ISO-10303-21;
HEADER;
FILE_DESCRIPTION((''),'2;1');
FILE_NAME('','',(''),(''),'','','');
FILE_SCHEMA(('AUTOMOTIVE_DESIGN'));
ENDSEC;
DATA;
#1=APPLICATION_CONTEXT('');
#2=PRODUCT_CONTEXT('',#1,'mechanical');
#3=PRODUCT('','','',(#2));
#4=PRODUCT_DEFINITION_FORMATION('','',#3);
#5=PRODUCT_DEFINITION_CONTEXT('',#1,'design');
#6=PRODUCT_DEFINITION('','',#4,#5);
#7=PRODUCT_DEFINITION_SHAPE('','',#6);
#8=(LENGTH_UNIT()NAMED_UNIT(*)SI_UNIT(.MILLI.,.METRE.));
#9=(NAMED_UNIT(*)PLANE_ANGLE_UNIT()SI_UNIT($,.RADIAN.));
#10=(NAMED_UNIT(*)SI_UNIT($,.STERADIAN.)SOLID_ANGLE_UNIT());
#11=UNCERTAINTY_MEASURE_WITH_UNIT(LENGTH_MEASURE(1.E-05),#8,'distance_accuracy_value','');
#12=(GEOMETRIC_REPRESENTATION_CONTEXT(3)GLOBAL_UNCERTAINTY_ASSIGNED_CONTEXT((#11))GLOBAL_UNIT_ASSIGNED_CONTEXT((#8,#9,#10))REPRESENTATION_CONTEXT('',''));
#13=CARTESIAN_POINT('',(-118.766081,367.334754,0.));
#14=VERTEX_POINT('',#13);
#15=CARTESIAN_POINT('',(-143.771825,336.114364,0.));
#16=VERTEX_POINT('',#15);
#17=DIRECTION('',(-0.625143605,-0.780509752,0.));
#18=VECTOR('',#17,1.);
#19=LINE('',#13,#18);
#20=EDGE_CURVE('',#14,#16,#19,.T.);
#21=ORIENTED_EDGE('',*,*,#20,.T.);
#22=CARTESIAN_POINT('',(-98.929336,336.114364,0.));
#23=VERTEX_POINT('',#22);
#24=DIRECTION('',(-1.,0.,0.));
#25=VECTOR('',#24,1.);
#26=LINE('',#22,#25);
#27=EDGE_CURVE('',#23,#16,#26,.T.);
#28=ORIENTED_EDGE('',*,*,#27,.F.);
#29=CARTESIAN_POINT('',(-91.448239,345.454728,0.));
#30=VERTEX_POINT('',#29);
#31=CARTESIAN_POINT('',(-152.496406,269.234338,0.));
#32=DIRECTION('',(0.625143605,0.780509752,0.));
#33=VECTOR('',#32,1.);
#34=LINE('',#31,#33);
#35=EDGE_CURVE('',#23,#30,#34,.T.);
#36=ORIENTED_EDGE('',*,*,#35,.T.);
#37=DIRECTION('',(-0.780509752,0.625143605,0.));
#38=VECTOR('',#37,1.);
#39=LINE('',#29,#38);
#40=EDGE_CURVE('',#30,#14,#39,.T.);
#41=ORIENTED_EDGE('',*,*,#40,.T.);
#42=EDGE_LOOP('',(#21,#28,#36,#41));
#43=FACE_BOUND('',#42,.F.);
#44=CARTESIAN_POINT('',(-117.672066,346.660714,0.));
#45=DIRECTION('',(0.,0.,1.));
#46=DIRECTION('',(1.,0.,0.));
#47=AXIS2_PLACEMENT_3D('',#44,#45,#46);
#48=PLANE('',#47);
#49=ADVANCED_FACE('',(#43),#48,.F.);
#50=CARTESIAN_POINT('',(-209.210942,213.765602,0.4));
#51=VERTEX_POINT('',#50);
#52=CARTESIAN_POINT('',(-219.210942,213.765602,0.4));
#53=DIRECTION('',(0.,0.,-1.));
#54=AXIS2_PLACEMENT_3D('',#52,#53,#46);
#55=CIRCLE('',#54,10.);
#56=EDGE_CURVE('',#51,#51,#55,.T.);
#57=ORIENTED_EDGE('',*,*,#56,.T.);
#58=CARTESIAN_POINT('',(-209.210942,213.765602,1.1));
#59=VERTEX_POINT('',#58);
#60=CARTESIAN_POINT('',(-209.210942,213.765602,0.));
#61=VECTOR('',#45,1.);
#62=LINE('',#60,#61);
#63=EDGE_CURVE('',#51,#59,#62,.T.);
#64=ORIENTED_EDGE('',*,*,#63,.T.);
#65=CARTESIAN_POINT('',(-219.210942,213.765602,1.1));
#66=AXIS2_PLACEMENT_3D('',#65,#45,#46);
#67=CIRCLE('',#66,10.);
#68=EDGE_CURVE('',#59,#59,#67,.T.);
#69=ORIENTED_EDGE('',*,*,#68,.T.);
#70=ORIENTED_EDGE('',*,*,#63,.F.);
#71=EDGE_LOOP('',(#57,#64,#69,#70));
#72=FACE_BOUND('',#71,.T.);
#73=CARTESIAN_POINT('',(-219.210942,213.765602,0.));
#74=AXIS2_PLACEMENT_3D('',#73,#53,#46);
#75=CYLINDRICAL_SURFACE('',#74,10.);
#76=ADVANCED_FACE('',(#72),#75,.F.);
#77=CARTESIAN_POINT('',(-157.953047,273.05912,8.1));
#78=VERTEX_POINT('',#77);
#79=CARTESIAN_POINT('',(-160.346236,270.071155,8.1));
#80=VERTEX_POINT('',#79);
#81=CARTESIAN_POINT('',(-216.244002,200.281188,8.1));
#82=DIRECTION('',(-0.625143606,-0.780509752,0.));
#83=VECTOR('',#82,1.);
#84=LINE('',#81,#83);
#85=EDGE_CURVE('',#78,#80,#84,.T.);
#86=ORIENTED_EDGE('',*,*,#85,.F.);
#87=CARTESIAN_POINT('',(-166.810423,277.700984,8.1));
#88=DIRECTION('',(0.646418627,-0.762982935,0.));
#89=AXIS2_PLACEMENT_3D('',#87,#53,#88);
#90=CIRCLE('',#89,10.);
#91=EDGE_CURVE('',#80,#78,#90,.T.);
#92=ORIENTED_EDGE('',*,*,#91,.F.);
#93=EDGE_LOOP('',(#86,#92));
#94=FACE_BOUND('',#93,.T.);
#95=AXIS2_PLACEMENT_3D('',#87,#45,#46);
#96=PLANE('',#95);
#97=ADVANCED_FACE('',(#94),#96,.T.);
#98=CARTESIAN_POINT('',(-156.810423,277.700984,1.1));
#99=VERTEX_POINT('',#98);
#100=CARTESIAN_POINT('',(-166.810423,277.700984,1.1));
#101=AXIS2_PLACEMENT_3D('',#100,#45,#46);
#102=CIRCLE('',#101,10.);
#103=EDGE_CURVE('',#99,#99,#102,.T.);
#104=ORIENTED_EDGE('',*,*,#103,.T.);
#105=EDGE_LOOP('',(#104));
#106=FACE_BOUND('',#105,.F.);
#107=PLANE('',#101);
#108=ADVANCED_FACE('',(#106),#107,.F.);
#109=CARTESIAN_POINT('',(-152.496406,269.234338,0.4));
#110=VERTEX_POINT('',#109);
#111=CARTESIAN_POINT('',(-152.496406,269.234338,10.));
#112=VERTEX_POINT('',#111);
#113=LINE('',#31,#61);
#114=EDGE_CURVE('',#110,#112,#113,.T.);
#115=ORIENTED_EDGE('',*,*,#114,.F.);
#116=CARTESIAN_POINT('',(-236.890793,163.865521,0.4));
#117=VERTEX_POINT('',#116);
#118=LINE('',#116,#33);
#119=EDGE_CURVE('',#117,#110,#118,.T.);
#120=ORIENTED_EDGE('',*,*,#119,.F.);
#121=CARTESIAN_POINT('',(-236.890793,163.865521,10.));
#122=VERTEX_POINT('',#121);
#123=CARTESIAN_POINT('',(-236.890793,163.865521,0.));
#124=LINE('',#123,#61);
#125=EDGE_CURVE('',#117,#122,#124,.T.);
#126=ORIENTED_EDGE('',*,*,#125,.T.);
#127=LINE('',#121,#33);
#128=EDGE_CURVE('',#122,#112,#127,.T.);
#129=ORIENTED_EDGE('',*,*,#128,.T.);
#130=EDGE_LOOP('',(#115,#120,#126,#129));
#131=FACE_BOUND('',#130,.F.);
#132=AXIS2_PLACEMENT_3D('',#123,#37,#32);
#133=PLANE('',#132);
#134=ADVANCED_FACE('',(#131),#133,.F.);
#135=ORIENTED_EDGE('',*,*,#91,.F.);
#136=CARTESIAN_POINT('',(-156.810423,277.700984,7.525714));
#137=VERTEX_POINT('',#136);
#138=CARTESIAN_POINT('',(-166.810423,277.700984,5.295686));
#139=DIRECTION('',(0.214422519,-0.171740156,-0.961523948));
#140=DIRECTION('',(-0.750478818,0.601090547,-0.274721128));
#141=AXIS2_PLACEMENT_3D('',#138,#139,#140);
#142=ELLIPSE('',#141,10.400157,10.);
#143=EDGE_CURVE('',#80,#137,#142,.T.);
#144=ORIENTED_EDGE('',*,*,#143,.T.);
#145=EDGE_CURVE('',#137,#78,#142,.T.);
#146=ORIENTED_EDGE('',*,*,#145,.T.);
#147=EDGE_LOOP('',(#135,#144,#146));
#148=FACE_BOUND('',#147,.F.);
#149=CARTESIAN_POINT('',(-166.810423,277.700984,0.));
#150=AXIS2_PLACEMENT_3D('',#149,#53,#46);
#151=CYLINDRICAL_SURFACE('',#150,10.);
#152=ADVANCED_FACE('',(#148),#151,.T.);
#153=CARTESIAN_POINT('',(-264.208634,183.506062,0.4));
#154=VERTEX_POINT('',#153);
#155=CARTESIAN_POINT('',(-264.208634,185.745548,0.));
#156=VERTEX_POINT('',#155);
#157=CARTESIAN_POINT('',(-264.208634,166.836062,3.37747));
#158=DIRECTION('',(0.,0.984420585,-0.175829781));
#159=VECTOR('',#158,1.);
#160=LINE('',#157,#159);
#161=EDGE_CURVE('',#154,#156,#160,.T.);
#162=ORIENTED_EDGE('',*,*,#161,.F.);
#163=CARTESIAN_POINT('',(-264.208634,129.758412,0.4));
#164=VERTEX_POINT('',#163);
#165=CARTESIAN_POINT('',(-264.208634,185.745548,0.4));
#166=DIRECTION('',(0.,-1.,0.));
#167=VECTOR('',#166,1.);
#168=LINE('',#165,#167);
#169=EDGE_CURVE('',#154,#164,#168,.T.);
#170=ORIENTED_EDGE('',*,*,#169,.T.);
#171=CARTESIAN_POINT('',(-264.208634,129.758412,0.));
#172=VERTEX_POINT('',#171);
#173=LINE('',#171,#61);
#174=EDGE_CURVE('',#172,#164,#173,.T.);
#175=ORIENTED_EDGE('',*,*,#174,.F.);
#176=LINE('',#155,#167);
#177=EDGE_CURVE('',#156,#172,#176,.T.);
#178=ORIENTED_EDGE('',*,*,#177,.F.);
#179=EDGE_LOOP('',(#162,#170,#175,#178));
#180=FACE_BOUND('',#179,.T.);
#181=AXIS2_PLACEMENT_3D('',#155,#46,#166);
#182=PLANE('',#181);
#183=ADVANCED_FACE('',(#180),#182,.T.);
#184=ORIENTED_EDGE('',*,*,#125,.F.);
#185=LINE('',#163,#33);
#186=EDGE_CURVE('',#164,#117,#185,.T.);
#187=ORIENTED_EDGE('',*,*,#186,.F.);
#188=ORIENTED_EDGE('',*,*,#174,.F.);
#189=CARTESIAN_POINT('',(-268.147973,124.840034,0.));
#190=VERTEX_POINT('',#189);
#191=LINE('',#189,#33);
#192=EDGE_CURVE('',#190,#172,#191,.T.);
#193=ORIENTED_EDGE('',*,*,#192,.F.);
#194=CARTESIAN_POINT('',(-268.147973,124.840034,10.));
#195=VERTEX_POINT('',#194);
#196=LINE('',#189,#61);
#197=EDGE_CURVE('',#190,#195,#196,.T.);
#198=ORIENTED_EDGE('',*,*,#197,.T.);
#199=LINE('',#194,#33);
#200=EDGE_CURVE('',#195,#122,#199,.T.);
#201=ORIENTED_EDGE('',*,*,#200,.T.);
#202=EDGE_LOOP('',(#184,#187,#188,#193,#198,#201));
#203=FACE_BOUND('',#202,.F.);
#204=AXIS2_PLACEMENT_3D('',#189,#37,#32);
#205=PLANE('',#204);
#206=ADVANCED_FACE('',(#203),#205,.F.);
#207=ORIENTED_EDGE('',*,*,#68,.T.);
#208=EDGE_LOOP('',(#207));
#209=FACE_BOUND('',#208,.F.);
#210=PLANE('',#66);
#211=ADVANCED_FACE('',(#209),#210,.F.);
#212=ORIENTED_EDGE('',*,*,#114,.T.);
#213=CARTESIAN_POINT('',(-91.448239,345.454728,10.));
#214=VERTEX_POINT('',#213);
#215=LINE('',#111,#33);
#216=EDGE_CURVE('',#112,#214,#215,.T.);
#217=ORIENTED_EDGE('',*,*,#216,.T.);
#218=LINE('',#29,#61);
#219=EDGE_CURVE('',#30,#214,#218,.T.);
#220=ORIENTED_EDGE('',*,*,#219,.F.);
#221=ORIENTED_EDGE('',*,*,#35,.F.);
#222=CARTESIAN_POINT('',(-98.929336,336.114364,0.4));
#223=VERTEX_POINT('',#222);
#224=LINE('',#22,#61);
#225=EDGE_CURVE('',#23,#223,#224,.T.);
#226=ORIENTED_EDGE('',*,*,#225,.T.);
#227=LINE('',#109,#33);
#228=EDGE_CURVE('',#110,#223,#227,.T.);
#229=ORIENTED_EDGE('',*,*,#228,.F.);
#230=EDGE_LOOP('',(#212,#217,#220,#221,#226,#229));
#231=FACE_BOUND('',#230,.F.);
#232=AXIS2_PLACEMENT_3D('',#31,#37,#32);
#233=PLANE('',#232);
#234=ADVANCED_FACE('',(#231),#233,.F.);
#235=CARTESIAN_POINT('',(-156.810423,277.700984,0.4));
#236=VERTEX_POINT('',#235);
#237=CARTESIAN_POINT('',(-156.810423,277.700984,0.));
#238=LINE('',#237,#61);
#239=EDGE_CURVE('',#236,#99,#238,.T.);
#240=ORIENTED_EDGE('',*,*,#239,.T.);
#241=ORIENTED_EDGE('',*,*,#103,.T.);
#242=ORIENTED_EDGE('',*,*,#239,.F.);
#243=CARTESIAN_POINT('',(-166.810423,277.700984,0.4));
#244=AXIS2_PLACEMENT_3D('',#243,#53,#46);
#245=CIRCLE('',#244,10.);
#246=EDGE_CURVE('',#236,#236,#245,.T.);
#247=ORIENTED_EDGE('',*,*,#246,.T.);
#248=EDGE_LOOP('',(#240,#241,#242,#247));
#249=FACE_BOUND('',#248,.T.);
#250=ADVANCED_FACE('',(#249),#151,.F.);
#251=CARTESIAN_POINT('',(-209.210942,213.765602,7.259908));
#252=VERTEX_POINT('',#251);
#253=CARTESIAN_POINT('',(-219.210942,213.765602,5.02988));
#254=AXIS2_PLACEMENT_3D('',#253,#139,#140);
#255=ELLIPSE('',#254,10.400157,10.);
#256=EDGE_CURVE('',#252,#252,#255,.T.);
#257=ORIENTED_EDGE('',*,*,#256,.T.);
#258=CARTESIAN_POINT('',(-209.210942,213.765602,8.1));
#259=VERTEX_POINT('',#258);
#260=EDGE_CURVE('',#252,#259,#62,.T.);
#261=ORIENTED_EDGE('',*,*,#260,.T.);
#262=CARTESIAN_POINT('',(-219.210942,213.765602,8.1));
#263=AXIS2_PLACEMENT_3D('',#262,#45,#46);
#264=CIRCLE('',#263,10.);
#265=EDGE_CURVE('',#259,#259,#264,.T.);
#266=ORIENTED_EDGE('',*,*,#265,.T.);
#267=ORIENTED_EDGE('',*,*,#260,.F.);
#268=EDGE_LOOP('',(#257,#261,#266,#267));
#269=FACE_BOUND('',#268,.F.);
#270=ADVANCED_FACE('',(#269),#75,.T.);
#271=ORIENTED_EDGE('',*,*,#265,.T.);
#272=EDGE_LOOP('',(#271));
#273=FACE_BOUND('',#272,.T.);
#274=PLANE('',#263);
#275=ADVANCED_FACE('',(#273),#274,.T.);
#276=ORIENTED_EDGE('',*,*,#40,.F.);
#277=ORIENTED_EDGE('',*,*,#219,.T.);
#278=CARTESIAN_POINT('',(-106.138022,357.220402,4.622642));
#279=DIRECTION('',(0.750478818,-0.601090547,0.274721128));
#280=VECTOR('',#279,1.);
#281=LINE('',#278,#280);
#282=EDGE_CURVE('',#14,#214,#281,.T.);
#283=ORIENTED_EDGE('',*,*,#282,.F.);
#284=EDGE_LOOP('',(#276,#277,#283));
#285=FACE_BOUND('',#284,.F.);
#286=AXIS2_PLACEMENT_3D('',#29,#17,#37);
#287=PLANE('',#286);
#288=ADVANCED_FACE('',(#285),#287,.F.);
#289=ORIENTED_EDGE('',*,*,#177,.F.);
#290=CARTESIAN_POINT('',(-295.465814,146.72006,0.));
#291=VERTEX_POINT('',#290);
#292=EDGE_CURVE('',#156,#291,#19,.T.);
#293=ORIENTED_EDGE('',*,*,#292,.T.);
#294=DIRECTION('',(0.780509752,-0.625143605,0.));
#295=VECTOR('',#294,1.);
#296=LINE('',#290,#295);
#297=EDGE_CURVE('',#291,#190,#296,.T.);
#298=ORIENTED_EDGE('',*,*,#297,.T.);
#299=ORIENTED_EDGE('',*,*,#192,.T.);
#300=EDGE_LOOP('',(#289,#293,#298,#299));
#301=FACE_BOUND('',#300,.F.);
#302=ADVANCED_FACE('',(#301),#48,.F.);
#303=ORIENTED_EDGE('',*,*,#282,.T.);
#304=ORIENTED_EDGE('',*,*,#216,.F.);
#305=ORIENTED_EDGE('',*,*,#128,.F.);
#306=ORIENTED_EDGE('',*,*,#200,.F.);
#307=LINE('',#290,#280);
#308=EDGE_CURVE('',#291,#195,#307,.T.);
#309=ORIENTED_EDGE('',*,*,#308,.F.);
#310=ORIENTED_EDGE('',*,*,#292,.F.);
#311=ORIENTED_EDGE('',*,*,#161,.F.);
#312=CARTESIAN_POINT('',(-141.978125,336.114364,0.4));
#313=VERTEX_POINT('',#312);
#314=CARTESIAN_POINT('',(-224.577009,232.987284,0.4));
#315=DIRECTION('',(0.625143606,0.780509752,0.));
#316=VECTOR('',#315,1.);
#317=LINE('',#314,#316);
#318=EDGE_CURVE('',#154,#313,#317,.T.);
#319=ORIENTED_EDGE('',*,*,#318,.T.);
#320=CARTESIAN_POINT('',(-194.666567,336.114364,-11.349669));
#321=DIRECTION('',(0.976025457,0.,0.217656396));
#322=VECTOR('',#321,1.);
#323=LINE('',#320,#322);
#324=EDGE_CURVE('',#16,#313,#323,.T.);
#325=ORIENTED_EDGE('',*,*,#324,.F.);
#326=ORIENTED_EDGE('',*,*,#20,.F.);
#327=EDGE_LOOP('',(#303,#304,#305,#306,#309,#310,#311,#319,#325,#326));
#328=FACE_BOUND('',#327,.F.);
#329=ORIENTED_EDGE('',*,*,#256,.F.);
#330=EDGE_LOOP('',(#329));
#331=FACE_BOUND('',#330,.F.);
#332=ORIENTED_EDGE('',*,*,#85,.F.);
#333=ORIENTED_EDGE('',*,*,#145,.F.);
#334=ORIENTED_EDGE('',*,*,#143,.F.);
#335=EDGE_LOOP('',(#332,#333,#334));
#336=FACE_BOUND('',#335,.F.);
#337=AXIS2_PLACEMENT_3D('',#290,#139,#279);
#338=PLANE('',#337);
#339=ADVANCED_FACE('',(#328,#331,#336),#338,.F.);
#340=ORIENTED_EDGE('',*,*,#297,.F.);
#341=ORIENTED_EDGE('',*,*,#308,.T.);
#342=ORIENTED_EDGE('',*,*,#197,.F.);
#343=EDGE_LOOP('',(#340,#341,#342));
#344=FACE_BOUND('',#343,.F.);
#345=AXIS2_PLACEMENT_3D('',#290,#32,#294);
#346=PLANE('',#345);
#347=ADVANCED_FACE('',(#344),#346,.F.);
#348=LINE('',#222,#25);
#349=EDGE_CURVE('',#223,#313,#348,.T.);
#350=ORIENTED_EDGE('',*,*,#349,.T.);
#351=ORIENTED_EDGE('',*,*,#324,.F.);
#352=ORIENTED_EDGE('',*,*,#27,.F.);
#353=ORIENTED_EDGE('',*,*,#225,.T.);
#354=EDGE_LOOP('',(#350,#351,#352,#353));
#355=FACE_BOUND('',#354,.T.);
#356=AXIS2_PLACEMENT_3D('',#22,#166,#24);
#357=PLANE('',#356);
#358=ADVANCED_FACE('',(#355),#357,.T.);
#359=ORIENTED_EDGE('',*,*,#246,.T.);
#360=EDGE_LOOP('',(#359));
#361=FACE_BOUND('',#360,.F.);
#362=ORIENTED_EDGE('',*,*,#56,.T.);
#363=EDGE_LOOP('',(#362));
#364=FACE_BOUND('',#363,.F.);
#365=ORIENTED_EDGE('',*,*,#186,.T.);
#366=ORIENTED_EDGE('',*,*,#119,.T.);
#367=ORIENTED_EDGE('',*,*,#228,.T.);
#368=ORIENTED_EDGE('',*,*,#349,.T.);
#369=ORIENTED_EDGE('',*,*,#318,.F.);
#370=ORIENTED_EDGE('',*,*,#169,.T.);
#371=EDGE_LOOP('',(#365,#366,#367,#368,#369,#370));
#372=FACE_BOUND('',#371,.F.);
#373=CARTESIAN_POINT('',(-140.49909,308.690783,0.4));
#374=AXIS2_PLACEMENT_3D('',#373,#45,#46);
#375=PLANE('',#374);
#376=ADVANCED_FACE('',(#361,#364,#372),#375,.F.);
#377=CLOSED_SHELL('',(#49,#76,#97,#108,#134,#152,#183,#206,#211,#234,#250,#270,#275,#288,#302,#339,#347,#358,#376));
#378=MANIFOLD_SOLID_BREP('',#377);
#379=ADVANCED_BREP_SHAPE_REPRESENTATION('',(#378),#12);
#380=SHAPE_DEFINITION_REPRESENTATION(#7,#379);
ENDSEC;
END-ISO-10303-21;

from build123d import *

# Parameters (mm, degrees)
F1_DEPTH = 10
F2_DEPTH = 0.4
F4_DEPTH = 319.7
F5_R     = 10
F6_DEPTH = 8.1
F7_DEPTH = 1.1


with BuildPart() as f1:
    # F0 (on Top) → F1 (new body)
    with BuildSketch(Plane.XY):
        Polygon((-118.766080561, 367.3347540892), (-143.7718247791, 336.1143640196), (-98.9293357238, 336.1143640196), (-91.4482392501, 345.4547278984), align=None)
        Polygon((-98.9293357238, 336.1143640196), (-143.7718247791, 336.1143640196), (-179.8142472891, 291.1143640196), (-152.4964059782, 269.2343378288), align=None)
        Polygon((-152.4964059782, 269.2343378288), (-179.8142472891, 291.1143640196), (-236.384913462, 220.4842620314), (-209.0670721511, 198.6042358405), align=None)
        Polygon((-264.2086340252, 129.7584116274), (-264.2086340252, 185.7455475346), (-295.4658142978, 146.7200599476), (-268.1479729869, 124.8400337568), align=None)
        Polygon((-236.8907927142, 163.8655213438), (-264.2086340252, 185.7455475346), (-264.2086340252, 129.7584116274), align=None)
        Polygon((-236.384913462, 220.4842620314), (-264.2086340252, 185.7455475346), (-236.8907927142, 163.8655213438), (-209.0670721511, 198.6042358405), align=None)
    extrude(amount=F1_DEPTH)

    # F0 (on Top) + F1_face (on face) → F2 (cut)
    with BuildSketch(Plane.XY):
        Polygon((-98.9293357238, 336.1143640196), (-143.7718247791, 336.1143640196), (-179.8142472891, 291.1143640196), (-152.4964059782, 269.2343378288), align=None)
        Polygon((-152.4964059782, 269.2343378288), (-179.8142472891, 291.1143640196), (-236.384913462, 220.4842620314), (-209.0670721511, 198.6042358405), align=None)
        Polygon((-236.8907927142, 163.8655213438), (-264.2086340252, 185.7455475346), (-264.2086340252, 129.7584116274), align=None)
        Polygon((-236.384913462, 220.4842620314), (-264.2086340252, 185.7455475346), (-236.8907927142, 163.8655213438), (-209.0670721511, 198.6042358405), align=None)
    with BuildSketch(Plane(origin=(-193.4570267739, 246.087393923, 10), x_dir=(1, 0, 0), z_dir=(0, 0, 1))):
        Polygon((74.6909462129, 121.2473601662), (-102.0087875238, -99.3673339754), (-74.6909462129, -121.2473601662), (102.0087875238, 99.3673339754), align=None)
    extrude(amount=F2_DEPTH, mode=Mode.SUBTRACT)

    # F3 (on face) → F4 (cut)
    with BuildSketch(Plane(origin=(-43.8801592677, -54.7856395198, 0), x_dir=(0.7805097517, -0.6251436055, 0), z_dir=(-0.6251436055, -0.7805097517, 0))):
        Polygon((-322.3350566332, 0), (-287.3350566332, 10), (-322.3350566332, 10), align=None)
        Polygon((-287.3350566332, 10), (-290.9218451271, 22.5537597288), (-325.9218451271, 12.5537597288), (-322.3350566332, 0), (-322.3350566332, 10), align=None)
    extrude(amount=-F4_DEPTH, mode=Mode.SUBTRACT)

    # F5 (on Top) → F6 (join)
    with BuildSketch(Plane.XY):
        with Locations((-219.2109416958, 213.7656019243)):
            Circle(F5_R)
        with Locations((-166.8104226756, 277.7009841669)):
            Circle(F5_R)
    extrude(amount=F6_DEPTH)

    # F5 (on Top) → F7 (cut)
    with BuildSketch(Plane.XY):
        with Locations((-219.2109416958, 213.7656019243)):
            Circle(F5_R)
        with Locations((-166.8104226756, 277.7009841669)):
            Circle(F5_R)
    extrude(amount=F7_DEPTH, mode=Mode.SUBTRACT)


solid = f1.part
